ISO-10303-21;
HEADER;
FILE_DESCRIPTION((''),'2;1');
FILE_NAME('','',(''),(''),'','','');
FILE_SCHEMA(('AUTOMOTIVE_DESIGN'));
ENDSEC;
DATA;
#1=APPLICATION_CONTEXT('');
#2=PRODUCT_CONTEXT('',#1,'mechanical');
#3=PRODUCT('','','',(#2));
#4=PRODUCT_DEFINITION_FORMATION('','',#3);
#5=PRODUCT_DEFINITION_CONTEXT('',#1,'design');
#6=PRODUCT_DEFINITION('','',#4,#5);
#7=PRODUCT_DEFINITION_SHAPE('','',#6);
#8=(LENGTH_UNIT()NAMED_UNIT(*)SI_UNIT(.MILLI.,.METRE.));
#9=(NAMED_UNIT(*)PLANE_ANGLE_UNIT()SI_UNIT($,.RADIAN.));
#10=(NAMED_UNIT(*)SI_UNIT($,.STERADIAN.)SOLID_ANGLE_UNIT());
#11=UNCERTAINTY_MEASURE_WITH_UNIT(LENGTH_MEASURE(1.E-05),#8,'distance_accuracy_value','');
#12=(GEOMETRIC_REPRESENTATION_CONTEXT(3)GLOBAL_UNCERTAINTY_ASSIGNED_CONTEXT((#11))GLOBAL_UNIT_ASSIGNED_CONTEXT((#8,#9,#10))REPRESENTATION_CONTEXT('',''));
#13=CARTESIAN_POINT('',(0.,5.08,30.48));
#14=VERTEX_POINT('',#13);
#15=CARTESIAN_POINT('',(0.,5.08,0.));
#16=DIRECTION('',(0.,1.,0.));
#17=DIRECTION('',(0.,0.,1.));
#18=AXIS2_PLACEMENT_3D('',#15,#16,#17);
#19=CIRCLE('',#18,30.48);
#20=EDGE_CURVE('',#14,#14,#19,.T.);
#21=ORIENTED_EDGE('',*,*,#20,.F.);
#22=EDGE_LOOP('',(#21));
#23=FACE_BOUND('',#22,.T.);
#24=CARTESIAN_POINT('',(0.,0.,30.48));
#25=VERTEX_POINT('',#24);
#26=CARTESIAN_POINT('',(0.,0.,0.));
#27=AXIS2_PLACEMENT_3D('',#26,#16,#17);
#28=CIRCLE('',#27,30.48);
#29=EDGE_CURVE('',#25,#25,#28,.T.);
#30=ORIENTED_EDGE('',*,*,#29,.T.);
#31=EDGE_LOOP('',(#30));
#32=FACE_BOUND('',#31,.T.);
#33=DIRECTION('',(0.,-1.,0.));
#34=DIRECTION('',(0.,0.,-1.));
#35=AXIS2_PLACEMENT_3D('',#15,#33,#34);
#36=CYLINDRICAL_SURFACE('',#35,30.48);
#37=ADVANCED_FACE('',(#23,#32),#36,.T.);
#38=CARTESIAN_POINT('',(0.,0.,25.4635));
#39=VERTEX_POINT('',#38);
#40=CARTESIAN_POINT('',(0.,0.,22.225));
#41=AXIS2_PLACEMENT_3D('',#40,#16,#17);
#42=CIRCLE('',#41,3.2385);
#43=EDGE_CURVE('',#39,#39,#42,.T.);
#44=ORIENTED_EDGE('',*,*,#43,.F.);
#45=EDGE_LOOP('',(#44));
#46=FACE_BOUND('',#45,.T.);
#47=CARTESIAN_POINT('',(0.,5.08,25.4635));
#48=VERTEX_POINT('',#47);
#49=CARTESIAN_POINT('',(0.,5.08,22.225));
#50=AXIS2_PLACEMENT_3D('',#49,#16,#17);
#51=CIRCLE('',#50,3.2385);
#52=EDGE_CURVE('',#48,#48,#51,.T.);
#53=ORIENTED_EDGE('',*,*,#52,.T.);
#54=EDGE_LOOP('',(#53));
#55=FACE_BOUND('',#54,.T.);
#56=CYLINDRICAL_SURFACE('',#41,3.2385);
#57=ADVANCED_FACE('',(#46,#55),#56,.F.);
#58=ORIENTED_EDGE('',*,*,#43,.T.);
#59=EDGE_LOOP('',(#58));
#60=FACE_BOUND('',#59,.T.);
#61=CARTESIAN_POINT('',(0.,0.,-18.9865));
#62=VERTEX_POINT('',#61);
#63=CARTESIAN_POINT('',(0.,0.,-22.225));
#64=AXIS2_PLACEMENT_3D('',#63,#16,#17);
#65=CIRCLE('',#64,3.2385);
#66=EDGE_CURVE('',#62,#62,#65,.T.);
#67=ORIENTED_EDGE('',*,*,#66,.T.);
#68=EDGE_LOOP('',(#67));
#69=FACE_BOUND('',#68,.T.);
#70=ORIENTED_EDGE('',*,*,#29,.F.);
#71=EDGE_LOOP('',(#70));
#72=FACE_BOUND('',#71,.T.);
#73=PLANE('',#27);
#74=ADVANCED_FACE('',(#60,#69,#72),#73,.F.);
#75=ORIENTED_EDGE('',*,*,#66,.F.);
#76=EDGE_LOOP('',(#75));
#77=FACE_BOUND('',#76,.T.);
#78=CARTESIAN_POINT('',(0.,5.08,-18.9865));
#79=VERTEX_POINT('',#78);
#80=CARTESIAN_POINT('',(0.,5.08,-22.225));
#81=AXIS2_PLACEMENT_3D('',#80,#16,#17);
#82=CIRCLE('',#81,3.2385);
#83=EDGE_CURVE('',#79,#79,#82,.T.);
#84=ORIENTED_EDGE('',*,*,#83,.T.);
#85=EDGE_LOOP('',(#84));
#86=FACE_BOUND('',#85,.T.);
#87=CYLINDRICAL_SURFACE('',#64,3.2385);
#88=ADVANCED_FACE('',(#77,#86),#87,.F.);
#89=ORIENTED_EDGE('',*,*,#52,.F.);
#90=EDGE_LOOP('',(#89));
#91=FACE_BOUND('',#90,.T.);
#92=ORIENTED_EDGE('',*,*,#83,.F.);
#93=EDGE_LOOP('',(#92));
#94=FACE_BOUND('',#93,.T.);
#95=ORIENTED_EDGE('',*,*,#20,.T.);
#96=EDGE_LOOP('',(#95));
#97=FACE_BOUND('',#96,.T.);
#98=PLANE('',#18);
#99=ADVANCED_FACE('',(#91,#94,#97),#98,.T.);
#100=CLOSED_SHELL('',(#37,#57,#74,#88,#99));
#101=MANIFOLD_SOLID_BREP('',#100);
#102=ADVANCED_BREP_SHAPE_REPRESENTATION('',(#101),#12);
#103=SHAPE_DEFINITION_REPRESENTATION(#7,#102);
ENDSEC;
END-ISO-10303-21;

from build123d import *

# Parameters (mm, degrees)
SKETCH1_R           = 30.48
BOSS_EXTRUDE1_DEPTH = 5.08
SKETCH2_R           = 3.2385
CUT_EXTRUDE1_DEPTH  = 6.08


with BuildPart() as part:
    # Sketch1 → Boss-Extrude1 (new body)
    with BuildSketch(Plane(origin=(0, 0, 0), x_dir=(1, 0, 0), z_dir=(0, 1, 0))):
        Circle(SKETCH1_R)
    extrude(amount=BOSS_EXTRUDE1_DEPTH)

    # Sketch2 → Cut-Extrude1 (cut, through all)
    with BuildSketch(Plane(origin=(0, 5.08, 0), x_dir=(1, 0, 0), z_dir=(0, 1, 0))):
        with Locations((0, 22.225)):
            Circle(SKETCH2_R)
        with Locations((0, -22.225)):
            Circle(SKETCH2_R)
    extrude(amount=-CUT_EXTRUDE1_DEPTH, mode=Mode.SUBTRACT)


solid = part.part
